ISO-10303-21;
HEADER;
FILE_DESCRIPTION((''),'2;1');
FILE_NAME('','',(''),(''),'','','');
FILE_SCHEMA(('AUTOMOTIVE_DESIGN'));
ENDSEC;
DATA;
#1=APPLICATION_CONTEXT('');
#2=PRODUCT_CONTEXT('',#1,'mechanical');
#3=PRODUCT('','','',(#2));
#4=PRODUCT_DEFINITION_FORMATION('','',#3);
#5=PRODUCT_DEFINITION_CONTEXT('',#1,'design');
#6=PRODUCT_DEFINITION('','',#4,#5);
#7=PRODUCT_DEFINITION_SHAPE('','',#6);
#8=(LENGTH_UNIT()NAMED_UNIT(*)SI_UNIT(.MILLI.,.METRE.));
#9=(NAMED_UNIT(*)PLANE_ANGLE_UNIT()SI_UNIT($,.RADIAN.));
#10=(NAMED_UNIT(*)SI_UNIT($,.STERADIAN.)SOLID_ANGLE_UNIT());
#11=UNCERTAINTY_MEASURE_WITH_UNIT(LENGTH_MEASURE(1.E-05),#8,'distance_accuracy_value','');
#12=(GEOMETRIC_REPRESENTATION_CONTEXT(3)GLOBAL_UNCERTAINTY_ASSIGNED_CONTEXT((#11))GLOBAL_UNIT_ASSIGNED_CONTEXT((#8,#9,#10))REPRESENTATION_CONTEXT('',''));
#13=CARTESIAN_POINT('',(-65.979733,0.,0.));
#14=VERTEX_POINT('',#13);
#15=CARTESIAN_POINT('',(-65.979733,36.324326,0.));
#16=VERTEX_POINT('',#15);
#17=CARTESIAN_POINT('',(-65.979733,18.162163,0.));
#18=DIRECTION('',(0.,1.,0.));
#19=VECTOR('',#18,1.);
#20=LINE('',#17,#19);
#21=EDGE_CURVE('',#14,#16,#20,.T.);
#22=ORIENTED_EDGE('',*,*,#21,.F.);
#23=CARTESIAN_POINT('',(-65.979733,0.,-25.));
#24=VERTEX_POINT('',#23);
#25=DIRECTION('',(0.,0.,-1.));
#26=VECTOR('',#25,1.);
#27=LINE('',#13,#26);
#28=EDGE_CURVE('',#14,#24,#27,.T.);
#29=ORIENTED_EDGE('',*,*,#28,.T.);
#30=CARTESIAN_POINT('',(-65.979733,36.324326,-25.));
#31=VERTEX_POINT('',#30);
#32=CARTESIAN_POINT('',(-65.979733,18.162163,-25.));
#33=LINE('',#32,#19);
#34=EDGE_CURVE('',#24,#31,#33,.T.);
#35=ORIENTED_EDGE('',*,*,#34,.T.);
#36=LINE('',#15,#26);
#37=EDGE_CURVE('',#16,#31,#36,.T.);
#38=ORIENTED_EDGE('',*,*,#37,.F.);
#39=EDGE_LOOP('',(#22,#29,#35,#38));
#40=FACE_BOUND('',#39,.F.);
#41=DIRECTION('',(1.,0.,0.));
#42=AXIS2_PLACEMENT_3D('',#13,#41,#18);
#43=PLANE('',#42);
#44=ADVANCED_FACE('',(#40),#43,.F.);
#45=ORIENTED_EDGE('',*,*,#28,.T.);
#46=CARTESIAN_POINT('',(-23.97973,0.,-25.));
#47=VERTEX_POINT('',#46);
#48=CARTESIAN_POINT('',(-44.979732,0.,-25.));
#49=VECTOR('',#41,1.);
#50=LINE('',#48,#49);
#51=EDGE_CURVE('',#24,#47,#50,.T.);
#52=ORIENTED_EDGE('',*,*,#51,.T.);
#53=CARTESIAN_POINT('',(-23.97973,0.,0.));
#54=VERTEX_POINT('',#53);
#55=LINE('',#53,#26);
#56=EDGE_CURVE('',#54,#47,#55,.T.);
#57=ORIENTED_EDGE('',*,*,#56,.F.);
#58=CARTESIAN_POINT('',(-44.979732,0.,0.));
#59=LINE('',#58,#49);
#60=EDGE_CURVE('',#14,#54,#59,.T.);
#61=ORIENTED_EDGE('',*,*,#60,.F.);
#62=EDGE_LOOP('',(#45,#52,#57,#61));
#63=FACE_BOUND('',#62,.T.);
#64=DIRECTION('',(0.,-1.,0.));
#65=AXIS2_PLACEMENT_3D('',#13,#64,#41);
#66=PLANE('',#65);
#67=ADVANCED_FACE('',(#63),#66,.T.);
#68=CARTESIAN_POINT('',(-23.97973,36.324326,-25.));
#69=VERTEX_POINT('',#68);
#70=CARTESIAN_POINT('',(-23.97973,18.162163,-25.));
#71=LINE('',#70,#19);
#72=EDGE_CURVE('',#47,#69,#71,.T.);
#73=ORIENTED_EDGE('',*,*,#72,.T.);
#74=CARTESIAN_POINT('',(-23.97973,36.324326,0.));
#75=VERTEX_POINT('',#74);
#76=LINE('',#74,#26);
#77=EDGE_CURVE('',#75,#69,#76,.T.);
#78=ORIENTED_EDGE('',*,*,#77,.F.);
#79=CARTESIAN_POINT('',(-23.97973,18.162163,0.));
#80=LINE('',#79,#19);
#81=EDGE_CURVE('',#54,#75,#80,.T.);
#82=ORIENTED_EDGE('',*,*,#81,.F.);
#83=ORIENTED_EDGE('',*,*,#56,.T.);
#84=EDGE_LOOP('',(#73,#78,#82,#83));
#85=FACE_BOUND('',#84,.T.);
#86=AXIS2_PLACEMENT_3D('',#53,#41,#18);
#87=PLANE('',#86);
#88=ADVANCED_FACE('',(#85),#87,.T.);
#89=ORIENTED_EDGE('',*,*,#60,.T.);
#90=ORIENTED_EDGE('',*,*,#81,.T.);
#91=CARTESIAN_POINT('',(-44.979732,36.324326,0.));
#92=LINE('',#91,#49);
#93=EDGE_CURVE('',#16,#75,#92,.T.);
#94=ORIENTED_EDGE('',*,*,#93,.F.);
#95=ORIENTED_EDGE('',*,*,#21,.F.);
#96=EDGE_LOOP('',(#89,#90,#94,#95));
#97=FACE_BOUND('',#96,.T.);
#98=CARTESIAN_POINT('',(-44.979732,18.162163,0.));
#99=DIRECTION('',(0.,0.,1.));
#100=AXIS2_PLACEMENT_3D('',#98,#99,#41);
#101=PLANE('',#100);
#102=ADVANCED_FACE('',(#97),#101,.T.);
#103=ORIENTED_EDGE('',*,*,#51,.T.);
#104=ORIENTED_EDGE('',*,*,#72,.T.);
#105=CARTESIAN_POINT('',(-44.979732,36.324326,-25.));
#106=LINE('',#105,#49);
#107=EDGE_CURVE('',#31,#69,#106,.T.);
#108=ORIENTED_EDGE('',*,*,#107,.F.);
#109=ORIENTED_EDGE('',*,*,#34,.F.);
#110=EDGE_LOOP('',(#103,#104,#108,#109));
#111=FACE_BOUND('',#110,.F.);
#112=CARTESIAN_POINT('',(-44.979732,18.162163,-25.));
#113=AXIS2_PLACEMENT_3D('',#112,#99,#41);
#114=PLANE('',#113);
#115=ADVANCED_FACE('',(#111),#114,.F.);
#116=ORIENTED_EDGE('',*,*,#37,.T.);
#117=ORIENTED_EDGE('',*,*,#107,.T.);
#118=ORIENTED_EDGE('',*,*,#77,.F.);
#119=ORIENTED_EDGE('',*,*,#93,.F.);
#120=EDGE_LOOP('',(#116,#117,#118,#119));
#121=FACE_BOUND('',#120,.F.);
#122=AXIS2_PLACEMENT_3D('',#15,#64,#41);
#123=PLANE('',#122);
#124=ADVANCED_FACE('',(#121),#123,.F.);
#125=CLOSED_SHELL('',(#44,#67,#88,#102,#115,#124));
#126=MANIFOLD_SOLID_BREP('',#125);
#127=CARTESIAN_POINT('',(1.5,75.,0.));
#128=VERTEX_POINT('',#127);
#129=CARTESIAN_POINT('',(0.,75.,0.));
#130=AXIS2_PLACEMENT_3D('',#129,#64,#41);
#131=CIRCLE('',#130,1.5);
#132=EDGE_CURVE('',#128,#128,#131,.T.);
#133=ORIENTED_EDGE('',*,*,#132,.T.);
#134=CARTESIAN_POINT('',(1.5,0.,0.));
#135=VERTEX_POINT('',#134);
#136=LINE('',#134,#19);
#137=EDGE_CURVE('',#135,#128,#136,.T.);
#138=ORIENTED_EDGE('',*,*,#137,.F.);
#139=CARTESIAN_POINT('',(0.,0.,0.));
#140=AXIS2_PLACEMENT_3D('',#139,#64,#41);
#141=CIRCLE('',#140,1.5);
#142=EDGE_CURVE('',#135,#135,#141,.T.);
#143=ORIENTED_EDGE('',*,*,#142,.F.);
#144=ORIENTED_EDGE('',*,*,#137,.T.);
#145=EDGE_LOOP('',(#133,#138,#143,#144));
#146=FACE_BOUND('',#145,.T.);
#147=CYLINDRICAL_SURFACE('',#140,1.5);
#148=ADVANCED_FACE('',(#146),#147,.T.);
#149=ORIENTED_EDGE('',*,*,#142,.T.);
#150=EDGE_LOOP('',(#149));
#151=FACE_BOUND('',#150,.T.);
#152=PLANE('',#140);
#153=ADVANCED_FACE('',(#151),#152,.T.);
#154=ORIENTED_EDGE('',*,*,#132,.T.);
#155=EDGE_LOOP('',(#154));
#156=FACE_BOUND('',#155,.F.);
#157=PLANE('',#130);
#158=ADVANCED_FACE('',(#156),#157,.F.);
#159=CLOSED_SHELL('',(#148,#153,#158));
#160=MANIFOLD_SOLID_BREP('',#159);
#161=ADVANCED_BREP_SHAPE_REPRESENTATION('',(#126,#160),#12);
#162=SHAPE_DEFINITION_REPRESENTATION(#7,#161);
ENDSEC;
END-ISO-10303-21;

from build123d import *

# Parameters (mm, degrees)
F0_R     = 1.5
F1_DEPTH = 75
F2_W     = 42.000003
F2_H     = 36.324326
F3_DEPTH = 25


with BuildPart() as f1:
    # F0 (on Front) → F1 (new body)
    with BuildSketch(Plane.XZ):
        Circle(F0_R)
    extrude(amount=-F1_DEPTH)


with BuildPart() as f3:
    # F2 (on Top) → F3 (new body)
    with BuildSketch(Plane.XY):
        with Locations((-44.979732, 18.162163)):
            Rectangle(F2_W, F2_H)
    extrude(amount=-F3_DEPTH)


solid = Compound([f1.part, f3.part])
